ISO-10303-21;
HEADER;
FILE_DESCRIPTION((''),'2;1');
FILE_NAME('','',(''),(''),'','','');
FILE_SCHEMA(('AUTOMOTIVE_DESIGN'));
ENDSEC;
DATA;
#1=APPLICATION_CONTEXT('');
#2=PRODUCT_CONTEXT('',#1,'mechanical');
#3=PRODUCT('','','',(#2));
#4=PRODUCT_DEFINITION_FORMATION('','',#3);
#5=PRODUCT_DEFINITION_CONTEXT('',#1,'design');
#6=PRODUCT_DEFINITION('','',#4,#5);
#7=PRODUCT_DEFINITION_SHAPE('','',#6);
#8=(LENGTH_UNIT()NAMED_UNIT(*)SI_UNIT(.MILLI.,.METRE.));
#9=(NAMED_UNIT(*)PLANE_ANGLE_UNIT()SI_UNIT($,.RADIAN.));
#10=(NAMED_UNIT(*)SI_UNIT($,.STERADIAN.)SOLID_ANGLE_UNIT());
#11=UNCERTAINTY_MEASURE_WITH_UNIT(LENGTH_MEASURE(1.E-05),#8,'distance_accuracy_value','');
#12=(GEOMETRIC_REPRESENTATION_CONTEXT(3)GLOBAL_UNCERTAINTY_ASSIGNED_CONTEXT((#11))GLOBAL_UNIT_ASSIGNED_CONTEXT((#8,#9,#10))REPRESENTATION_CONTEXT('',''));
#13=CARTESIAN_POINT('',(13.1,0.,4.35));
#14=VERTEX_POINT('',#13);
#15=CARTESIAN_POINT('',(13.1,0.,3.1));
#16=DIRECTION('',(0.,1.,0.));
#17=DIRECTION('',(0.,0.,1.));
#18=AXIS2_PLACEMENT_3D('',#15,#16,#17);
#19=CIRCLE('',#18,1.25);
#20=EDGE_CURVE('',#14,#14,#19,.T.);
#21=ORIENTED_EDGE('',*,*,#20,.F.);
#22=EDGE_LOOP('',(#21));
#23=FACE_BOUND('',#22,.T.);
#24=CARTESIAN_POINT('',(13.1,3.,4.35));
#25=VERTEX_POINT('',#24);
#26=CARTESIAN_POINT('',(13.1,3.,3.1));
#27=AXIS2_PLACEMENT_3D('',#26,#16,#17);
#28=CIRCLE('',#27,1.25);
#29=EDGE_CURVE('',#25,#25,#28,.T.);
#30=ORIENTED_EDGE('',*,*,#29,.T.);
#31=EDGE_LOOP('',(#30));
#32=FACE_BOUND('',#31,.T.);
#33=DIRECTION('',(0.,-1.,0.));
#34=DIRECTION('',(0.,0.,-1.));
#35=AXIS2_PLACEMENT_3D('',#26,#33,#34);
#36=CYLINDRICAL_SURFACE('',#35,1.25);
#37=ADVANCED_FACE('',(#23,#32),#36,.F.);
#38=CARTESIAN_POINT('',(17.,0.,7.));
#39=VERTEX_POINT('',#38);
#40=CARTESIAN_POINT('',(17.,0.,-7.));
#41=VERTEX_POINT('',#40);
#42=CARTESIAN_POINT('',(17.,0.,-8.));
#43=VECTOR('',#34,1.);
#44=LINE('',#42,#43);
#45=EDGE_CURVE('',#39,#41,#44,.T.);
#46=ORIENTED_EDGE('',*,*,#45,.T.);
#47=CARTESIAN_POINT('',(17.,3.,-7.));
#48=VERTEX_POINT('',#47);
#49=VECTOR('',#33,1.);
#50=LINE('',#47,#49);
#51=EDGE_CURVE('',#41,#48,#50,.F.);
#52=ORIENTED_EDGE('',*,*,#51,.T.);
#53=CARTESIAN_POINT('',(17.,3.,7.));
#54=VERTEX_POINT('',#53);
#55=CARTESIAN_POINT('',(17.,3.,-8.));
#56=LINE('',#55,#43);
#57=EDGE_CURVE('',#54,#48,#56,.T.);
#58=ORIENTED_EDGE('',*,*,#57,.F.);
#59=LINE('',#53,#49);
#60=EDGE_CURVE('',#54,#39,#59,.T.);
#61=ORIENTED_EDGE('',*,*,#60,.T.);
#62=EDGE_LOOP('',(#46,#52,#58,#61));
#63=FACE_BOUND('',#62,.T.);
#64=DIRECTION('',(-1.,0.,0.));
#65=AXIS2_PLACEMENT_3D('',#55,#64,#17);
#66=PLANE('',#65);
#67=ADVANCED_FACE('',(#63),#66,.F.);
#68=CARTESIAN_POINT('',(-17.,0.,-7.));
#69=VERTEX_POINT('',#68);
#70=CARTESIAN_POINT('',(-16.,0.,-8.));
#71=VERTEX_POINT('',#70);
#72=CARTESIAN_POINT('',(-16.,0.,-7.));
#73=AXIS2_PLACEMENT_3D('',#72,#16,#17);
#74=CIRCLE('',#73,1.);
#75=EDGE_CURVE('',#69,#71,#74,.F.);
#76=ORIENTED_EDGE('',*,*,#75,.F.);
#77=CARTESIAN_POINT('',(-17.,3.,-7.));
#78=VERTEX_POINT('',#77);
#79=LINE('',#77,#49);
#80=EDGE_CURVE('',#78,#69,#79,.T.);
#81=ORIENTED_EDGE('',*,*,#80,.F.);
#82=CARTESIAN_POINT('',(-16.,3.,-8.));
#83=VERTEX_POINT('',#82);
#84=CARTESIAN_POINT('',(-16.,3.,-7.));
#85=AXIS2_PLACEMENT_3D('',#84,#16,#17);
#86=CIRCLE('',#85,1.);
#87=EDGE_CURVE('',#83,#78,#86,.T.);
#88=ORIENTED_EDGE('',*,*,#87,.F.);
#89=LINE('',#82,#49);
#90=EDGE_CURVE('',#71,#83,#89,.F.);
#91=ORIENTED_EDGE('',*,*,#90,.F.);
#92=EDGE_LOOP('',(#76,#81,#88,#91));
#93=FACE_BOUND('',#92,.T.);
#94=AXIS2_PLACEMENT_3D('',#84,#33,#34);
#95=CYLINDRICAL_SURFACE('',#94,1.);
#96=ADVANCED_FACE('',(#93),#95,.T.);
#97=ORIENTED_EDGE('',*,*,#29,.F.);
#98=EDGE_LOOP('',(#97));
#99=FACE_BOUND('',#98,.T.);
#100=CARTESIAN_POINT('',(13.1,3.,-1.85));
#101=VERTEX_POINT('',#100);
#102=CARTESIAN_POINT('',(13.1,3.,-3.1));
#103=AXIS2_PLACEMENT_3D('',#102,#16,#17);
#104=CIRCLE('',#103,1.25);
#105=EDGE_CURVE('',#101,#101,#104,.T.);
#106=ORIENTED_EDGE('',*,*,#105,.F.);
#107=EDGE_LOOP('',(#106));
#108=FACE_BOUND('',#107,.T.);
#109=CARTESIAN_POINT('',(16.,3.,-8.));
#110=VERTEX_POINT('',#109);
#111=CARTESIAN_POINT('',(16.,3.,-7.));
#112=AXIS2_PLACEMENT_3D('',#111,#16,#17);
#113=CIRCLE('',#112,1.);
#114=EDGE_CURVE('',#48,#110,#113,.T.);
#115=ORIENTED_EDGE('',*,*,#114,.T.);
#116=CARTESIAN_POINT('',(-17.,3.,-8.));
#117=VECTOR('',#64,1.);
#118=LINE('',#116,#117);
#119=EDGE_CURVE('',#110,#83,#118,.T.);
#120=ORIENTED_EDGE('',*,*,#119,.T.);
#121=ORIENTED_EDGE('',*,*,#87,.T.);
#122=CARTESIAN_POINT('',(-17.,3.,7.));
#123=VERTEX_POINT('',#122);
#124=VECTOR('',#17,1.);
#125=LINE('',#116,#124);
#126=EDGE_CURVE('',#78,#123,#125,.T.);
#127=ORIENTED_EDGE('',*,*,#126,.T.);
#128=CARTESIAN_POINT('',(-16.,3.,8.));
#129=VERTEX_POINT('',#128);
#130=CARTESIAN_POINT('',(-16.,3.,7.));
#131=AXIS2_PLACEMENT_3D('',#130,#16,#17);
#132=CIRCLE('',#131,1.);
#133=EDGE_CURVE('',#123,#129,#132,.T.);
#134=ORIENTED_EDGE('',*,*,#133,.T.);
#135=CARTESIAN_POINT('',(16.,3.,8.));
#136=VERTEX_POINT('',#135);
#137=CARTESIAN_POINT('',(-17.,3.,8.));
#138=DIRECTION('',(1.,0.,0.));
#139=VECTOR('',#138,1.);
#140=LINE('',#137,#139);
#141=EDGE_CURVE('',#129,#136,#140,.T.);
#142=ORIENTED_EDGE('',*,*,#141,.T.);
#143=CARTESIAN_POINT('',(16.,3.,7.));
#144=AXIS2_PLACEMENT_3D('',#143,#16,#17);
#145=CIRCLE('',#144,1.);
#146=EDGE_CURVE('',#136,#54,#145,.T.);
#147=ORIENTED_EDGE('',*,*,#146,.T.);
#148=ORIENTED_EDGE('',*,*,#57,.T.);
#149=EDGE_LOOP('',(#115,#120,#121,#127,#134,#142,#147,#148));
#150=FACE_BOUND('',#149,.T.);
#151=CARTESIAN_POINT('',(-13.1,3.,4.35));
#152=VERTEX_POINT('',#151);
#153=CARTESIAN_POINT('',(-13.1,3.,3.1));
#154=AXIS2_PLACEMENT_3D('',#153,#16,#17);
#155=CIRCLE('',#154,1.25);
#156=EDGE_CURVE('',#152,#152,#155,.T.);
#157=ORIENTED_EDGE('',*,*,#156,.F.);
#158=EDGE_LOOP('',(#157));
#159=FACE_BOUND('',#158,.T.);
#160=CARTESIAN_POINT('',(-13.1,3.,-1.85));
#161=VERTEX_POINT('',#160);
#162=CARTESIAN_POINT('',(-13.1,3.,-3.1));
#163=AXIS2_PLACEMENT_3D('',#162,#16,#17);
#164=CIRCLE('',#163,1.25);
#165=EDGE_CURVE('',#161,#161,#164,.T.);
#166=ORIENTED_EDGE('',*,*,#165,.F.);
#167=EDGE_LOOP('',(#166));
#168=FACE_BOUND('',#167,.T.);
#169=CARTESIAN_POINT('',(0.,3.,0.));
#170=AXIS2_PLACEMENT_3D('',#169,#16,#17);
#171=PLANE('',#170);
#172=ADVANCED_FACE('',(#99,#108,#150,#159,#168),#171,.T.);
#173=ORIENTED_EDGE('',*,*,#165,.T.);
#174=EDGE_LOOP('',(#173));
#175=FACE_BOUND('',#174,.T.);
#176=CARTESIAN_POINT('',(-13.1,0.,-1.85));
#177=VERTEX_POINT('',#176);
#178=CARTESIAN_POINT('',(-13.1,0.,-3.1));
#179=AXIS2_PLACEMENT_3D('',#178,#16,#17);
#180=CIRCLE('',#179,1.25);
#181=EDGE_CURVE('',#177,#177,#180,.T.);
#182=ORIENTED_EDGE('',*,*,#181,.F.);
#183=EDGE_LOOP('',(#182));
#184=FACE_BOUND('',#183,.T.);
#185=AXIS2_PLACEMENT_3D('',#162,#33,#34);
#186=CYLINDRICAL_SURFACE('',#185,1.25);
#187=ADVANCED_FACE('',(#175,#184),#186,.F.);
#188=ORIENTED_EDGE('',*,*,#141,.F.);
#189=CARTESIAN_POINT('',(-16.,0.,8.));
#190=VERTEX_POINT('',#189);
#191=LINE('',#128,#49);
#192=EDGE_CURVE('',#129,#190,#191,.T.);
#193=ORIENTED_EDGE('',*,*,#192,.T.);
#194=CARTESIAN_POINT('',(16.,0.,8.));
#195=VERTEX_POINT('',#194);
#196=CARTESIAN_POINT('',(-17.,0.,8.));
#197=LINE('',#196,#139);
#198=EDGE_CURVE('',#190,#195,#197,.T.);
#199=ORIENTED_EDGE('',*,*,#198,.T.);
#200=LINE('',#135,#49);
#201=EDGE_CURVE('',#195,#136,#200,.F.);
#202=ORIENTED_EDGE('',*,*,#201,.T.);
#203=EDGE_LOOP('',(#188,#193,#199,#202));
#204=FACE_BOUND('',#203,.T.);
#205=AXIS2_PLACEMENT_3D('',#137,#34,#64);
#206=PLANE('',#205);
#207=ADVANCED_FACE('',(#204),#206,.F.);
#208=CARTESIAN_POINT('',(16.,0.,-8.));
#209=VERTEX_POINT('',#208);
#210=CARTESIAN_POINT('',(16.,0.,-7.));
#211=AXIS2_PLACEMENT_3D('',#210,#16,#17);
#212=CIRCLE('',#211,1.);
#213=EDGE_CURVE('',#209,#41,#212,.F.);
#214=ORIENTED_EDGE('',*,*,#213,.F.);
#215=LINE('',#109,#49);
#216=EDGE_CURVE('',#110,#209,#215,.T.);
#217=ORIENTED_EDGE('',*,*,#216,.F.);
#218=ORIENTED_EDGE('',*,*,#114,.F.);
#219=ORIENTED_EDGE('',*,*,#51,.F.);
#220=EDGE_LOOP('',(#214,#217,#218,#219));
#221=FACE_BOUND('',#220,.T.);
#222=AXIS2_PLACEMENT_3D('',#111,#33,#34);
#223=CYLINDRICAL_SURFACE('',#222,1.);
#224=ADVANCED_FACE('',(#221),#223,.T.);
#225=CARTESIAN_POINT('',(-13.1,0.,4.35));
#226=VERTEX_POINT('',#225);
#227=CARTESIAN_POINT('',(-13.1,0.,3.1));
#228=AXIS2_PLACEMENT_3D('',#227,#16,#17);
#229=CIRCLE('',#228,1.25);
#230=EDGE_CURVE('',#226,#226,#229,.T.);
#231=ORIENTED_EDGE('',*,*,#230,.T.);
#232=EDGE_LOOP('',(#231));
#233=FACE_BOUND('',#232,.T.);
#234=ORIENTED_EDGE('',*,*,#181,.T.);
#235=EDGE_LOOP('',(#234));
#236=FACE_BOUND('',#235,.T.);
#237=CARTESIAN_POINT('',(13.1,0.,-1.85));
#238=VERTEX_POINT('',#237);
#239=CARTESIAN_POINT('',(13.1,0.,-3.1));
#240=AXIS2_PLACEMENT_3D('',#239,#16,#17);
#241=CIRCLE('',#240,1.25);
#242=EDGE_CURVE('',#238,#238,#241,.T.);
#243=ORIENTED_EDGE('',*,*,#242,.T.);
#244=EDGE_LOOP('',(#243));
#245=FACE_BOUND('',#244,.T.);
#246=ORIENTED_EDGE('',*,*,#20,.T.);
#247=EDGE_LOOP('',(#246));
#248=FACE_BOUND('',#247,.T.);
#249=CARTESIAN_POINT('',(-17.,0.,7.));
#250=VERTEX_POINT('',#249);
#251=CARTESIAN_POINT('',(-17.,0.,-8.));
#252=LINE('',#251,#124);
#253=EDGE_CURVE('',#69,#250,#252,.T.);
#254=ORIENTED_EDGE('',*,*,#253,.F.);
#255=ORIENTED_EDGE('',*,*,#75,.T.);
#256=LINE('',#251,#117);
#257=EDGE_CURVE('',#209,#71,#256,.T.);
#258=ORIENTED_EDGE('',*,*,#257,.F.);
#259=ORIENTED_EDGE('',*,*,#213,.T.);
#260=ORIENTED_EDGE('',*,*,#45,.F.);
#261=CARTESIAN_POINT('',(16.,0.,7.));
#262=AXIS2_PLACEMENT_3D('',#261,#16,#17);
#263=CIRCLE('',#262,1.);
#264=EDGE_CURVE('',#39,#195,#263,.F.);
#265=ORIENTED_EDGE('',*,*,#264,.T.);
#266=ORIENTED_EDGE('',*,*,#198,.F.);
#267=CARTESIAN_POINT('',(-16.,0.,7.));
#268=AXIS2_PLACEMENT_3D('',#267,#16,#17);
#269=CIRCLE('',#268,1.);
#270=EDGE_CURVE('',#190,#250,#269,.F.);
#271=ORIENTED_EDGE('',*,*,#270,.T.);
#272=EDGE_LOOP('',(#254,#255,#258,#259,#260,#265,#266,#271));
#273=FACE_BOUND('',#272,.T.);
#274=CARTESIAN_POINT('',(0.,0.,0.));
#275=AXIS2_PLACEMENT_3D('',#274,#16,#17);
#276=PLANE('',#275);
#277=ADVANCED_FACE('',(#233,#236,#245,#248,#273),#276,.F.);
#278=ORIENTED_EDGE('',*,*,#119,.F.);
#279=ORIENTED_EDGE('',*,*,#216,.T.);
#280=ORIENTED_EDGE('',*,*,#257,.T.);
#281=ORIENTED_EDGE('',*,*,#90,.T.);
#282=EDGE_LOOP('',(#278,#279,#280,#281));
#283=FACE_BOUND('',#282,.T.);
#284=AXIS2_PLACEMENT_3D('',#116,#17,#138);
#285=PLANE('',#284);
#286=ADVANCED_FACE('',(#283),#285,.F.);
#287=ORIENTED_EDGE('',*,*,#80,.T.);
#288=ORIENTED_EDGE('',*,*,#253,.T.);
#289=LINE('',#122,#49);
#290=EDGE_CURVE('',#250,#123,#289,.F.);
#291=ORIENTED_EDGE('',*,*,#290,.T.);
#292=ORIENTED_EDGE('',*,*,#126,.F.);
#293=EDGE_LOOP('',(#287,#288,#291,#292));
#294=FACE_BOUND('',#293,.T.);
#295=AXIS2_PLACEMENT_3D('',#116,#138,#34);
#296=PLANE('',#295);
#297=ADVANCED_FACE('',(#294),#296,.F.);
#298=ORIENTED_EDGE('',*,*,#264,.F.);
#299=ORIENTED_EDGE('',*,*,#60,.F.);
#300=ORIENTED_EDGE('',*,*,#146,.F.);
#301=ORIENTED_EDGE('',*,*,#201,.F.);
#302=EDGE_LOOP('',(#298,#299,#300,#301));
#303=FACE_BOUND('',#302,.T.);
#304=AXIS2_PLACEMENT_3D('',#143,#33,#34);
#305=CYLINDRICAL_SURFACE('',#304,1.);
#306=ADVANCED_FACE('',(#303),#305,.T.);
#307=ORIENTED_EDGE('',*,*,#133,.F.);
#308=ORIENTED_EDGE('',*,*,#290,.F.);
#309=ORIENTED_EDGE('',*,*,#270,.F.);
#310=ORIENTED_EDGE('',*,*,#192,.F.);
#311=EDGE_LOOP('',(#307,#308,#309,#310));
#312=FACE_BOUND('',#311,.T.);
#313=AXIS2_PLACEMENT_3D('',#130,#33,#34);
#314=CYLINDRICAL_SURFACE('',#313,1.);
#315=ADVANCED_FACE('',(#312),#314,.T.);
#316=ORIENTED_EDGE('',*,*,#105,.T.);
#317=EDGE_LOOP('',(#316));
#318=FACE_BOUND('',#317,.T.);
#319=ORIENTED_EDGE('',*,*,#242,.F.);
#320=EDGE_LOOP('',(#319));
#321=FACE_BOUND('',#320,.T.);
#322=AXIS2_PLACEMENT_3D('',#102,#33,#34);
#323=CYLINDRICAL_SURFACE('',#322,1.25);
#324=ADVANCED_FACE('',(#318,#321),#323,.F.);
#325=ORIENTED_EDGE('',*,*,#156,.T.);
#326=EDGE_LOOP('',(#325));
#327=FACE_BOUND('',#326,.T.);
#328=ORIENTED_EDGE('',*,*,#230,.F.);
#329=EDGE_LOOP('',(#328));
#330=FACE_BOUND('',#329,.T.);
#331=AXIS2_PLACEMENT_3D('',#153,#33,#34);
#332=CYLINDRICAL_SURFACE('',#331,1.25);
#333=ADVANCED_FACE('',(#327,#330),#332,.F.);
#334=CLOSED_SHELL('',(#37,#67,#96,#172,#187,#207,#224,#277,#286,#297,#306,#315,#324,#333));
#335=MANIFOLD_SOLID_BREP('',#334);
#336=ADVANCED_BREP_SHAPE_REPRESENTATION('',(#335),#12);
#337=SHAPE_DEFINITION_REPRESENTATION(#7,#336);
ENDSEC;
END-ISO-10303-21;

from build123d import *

# Parameters (mm, degrees)
SKETCH_3_W      = 34
SKETCH_3_H      = 16
EXTRUDE_3_DEPTH = 3
FILLET_1_R      = 1


with BuildPart() as part:
    # 草图3 → 凸台-拉伸3 (new body)
    with BuildSketch(Plane(origin=(0, 0, 0), x_dir=(1, 0, 0), z_dir=(0, 1, 0))):
        Rectangle(SKETCH_3_W, SKETCH_3_H)
        with BuildLine():
            ThreePointArc((-13.1, -4.35), (-11.85, -3.1), (-13.1, -1.85))
            ThreePointArc((-13.1, -1.85), (-14.35, -3.1), (-13.1, -4.35))
        make_face(mode=Mode.SUBTRACT)
        with BuildLine():
            ThreePointArc((13.1, -4.35), (14.35, -3.1), (13.1, -1.85))
            ThreePointArc((13.1, -1.85), (11.85, -3.1), (13.1, -4.35))
        make_face(mode=Mode.SUBTRACT)
        with BuildLine():
            ThreePointArc((13.1, 4.35), (11.85, 3.100000001), (13.1, 1.850000001))
            ThreePointArc((13.1, 1.850000001), (14.349999999, 3.1), (13.1, 4.35))
        make_face(mode=Mode.SUBTRACT)
        with BuildLine():
            ThreePointArc((-13.1, 1.85), (-11.85, 3.1), (-13.1, 4.349999999))
            ThreePointArc((-13.1, 4.349999999), (-14.35, 3.1), (-13.1, 1.85))
        make_face(mode=Mode.SUBTRACT)
    extrude(amount=EXTRUDE_3_DEPTH)

    # 圆角1
    fillet_1_edges = [part.edges().sort_by_distance(p)[0] for p in [
        (-17, 1.5, -8),
        (17, 1.5, -8),
        (17, 1.5, 8),
        (-17, 1.5, 8),
    ]]
    fillet(fillet_1_edges, radius=FILLET_1_R)


solid = part.part
